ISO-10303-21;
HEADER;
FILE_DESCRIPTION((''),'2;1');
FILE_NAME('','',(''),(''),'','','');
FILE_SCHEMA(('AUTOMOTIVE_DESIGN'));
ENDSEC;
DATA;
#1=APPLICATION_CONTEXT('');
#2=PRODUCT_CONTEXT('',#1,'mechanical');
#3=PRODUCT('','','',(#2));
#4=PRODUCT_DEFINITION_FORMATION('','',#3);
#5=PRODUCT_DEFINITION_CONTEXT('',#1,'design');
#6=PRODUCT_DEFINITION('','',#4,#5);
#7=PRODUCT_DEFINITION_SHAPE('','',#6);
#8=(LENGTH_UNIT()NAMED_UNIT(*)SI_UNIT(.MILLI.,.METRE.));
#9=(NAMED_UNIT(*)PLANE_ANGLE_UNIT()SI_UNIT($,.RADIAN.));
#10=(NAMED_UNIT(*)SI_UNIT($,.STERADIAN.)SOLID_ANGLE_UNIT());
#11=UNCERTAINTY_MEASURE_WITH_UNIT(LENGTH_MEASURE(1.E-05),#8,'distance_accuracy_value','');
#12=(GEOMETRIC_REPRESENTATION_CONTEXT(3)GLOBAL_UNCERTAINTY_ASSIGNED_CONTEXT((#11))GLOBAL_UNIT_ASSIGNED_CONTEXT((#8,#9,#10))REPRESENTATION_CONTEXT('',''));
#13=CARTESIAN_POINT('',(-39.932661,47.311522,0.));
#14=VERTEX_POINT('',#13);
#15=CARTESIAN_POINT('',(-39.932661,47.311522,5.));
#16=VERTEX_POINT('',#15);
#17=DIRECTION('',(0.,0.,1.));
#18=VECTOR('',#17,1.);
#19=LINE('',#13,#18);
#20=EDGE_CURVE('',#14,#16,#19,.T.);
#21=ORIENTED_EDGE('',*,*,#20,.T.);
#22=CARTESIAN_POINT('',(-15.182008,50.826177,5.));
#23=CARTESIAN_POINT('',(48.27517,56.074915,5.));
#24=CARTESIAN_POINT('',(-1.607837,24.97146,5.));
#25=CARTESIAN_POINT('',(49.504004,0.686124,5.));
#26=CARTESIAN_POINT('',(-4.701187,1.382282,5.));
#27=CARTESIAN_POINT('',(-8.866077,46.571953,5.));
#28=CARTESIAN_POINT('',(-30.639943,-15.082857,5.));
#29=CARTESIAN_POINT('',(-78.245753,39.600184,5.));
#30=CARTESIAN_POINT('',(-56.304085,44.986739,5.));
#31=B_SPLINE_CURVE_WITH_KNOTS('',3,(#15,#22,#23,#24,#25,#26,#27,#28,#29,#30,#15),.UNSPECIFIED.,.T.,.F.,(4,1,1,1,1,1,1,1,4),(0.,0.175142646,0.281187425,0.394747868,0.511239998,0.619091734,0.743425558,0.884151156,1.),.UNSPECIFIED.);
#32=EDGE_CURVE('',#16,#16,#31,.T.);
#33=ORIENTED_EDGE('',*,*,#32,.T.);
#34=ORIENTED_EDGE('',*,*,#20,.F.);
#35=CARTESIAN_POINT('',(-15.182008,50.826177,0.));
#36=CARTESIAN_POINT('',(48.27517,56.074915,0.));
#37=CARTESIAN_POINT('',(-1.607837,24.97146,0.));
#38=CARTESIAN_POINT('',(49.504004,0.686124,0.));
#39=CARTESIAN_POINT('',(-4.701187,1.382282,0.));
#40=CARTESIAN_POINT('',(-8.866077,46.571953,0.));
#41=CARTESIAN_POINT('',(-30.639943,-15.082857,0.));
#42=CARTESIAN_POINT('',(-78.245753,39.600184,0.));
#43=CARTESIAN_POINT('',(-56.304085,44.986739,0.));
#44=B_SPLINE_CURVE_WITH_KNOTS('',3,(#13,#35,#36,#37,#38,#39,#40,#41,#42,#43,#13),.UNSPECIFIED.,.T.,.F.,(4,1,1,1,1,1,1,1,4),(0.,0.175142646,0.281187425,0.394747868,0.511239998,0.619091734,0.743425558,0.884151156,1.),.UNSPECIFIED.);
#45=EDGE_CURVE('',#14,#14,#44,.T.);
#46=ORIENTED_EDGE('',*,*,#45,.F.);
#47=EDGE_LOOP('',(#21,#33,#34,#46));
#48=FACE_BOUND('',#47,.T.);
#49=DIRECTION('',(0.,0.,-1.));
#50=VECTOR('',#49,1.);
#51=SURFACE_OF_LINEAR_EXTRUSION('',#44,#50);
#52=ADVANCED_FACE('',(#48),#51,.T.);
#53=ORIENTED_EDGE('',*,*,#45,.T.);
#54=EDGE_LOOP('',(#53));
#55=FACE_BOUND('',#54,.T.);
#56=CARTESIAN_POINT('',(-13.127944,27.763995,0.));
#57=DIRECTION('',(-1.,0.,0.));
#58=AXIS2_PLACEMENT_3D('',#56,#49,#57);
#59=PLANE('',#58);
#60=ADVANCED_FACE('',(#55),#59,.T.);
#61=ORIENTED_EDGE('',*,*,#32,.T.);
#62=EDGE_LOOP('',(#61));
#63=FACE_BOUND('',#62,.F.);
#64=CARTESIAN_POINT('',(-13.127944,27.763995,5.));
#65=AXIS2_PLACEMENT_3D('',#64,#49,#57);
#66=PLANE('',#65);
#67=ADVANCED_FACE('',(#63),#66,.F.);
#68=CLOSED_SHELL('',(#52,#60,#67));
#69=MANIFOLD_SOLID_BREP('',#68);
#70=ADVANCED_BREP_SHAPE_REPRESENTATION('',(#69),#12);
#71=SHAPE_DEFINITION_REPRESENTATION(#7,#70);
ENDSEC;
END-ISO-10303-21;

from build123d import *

# Parameters (mm, degrees)
F1_DEPTH = 5


with BuildPart() as f1:
    # F0 (on Top) → F1 (new body)
    with BuildSketch(Plane.XY):
        with BuildLine():
            add(Edge.make_bspline(
                [(-39.9326607585, 47.3115220666), (-15.1820079465, 50.8261772503), (48.2751701236, 56.0749147761), (-1.6078365702, 24.9714596772), (49.5040040577, 0.6861242528), (-4.7011869188, 1.3822824342), (-8.8660771279, 46.5719533303), (-30.6399433494, -15.0828572092), (-78.2457525242, 39.6001836848), (-56.3040847681, 44.9867385267), (-39.9326607585, 47.3115220666)],
                knots=[0, 0, 0, 0, 0.1751426457, 0.2811874251, 0.3947478681, 0.5112399982, 0.6190917344, 0.7434255579, 0.8841511561, 1, 1, 1, 1], degree=3))
        make_face()
    extrude(amount=F1_DEPTH)


solid = f1.part
